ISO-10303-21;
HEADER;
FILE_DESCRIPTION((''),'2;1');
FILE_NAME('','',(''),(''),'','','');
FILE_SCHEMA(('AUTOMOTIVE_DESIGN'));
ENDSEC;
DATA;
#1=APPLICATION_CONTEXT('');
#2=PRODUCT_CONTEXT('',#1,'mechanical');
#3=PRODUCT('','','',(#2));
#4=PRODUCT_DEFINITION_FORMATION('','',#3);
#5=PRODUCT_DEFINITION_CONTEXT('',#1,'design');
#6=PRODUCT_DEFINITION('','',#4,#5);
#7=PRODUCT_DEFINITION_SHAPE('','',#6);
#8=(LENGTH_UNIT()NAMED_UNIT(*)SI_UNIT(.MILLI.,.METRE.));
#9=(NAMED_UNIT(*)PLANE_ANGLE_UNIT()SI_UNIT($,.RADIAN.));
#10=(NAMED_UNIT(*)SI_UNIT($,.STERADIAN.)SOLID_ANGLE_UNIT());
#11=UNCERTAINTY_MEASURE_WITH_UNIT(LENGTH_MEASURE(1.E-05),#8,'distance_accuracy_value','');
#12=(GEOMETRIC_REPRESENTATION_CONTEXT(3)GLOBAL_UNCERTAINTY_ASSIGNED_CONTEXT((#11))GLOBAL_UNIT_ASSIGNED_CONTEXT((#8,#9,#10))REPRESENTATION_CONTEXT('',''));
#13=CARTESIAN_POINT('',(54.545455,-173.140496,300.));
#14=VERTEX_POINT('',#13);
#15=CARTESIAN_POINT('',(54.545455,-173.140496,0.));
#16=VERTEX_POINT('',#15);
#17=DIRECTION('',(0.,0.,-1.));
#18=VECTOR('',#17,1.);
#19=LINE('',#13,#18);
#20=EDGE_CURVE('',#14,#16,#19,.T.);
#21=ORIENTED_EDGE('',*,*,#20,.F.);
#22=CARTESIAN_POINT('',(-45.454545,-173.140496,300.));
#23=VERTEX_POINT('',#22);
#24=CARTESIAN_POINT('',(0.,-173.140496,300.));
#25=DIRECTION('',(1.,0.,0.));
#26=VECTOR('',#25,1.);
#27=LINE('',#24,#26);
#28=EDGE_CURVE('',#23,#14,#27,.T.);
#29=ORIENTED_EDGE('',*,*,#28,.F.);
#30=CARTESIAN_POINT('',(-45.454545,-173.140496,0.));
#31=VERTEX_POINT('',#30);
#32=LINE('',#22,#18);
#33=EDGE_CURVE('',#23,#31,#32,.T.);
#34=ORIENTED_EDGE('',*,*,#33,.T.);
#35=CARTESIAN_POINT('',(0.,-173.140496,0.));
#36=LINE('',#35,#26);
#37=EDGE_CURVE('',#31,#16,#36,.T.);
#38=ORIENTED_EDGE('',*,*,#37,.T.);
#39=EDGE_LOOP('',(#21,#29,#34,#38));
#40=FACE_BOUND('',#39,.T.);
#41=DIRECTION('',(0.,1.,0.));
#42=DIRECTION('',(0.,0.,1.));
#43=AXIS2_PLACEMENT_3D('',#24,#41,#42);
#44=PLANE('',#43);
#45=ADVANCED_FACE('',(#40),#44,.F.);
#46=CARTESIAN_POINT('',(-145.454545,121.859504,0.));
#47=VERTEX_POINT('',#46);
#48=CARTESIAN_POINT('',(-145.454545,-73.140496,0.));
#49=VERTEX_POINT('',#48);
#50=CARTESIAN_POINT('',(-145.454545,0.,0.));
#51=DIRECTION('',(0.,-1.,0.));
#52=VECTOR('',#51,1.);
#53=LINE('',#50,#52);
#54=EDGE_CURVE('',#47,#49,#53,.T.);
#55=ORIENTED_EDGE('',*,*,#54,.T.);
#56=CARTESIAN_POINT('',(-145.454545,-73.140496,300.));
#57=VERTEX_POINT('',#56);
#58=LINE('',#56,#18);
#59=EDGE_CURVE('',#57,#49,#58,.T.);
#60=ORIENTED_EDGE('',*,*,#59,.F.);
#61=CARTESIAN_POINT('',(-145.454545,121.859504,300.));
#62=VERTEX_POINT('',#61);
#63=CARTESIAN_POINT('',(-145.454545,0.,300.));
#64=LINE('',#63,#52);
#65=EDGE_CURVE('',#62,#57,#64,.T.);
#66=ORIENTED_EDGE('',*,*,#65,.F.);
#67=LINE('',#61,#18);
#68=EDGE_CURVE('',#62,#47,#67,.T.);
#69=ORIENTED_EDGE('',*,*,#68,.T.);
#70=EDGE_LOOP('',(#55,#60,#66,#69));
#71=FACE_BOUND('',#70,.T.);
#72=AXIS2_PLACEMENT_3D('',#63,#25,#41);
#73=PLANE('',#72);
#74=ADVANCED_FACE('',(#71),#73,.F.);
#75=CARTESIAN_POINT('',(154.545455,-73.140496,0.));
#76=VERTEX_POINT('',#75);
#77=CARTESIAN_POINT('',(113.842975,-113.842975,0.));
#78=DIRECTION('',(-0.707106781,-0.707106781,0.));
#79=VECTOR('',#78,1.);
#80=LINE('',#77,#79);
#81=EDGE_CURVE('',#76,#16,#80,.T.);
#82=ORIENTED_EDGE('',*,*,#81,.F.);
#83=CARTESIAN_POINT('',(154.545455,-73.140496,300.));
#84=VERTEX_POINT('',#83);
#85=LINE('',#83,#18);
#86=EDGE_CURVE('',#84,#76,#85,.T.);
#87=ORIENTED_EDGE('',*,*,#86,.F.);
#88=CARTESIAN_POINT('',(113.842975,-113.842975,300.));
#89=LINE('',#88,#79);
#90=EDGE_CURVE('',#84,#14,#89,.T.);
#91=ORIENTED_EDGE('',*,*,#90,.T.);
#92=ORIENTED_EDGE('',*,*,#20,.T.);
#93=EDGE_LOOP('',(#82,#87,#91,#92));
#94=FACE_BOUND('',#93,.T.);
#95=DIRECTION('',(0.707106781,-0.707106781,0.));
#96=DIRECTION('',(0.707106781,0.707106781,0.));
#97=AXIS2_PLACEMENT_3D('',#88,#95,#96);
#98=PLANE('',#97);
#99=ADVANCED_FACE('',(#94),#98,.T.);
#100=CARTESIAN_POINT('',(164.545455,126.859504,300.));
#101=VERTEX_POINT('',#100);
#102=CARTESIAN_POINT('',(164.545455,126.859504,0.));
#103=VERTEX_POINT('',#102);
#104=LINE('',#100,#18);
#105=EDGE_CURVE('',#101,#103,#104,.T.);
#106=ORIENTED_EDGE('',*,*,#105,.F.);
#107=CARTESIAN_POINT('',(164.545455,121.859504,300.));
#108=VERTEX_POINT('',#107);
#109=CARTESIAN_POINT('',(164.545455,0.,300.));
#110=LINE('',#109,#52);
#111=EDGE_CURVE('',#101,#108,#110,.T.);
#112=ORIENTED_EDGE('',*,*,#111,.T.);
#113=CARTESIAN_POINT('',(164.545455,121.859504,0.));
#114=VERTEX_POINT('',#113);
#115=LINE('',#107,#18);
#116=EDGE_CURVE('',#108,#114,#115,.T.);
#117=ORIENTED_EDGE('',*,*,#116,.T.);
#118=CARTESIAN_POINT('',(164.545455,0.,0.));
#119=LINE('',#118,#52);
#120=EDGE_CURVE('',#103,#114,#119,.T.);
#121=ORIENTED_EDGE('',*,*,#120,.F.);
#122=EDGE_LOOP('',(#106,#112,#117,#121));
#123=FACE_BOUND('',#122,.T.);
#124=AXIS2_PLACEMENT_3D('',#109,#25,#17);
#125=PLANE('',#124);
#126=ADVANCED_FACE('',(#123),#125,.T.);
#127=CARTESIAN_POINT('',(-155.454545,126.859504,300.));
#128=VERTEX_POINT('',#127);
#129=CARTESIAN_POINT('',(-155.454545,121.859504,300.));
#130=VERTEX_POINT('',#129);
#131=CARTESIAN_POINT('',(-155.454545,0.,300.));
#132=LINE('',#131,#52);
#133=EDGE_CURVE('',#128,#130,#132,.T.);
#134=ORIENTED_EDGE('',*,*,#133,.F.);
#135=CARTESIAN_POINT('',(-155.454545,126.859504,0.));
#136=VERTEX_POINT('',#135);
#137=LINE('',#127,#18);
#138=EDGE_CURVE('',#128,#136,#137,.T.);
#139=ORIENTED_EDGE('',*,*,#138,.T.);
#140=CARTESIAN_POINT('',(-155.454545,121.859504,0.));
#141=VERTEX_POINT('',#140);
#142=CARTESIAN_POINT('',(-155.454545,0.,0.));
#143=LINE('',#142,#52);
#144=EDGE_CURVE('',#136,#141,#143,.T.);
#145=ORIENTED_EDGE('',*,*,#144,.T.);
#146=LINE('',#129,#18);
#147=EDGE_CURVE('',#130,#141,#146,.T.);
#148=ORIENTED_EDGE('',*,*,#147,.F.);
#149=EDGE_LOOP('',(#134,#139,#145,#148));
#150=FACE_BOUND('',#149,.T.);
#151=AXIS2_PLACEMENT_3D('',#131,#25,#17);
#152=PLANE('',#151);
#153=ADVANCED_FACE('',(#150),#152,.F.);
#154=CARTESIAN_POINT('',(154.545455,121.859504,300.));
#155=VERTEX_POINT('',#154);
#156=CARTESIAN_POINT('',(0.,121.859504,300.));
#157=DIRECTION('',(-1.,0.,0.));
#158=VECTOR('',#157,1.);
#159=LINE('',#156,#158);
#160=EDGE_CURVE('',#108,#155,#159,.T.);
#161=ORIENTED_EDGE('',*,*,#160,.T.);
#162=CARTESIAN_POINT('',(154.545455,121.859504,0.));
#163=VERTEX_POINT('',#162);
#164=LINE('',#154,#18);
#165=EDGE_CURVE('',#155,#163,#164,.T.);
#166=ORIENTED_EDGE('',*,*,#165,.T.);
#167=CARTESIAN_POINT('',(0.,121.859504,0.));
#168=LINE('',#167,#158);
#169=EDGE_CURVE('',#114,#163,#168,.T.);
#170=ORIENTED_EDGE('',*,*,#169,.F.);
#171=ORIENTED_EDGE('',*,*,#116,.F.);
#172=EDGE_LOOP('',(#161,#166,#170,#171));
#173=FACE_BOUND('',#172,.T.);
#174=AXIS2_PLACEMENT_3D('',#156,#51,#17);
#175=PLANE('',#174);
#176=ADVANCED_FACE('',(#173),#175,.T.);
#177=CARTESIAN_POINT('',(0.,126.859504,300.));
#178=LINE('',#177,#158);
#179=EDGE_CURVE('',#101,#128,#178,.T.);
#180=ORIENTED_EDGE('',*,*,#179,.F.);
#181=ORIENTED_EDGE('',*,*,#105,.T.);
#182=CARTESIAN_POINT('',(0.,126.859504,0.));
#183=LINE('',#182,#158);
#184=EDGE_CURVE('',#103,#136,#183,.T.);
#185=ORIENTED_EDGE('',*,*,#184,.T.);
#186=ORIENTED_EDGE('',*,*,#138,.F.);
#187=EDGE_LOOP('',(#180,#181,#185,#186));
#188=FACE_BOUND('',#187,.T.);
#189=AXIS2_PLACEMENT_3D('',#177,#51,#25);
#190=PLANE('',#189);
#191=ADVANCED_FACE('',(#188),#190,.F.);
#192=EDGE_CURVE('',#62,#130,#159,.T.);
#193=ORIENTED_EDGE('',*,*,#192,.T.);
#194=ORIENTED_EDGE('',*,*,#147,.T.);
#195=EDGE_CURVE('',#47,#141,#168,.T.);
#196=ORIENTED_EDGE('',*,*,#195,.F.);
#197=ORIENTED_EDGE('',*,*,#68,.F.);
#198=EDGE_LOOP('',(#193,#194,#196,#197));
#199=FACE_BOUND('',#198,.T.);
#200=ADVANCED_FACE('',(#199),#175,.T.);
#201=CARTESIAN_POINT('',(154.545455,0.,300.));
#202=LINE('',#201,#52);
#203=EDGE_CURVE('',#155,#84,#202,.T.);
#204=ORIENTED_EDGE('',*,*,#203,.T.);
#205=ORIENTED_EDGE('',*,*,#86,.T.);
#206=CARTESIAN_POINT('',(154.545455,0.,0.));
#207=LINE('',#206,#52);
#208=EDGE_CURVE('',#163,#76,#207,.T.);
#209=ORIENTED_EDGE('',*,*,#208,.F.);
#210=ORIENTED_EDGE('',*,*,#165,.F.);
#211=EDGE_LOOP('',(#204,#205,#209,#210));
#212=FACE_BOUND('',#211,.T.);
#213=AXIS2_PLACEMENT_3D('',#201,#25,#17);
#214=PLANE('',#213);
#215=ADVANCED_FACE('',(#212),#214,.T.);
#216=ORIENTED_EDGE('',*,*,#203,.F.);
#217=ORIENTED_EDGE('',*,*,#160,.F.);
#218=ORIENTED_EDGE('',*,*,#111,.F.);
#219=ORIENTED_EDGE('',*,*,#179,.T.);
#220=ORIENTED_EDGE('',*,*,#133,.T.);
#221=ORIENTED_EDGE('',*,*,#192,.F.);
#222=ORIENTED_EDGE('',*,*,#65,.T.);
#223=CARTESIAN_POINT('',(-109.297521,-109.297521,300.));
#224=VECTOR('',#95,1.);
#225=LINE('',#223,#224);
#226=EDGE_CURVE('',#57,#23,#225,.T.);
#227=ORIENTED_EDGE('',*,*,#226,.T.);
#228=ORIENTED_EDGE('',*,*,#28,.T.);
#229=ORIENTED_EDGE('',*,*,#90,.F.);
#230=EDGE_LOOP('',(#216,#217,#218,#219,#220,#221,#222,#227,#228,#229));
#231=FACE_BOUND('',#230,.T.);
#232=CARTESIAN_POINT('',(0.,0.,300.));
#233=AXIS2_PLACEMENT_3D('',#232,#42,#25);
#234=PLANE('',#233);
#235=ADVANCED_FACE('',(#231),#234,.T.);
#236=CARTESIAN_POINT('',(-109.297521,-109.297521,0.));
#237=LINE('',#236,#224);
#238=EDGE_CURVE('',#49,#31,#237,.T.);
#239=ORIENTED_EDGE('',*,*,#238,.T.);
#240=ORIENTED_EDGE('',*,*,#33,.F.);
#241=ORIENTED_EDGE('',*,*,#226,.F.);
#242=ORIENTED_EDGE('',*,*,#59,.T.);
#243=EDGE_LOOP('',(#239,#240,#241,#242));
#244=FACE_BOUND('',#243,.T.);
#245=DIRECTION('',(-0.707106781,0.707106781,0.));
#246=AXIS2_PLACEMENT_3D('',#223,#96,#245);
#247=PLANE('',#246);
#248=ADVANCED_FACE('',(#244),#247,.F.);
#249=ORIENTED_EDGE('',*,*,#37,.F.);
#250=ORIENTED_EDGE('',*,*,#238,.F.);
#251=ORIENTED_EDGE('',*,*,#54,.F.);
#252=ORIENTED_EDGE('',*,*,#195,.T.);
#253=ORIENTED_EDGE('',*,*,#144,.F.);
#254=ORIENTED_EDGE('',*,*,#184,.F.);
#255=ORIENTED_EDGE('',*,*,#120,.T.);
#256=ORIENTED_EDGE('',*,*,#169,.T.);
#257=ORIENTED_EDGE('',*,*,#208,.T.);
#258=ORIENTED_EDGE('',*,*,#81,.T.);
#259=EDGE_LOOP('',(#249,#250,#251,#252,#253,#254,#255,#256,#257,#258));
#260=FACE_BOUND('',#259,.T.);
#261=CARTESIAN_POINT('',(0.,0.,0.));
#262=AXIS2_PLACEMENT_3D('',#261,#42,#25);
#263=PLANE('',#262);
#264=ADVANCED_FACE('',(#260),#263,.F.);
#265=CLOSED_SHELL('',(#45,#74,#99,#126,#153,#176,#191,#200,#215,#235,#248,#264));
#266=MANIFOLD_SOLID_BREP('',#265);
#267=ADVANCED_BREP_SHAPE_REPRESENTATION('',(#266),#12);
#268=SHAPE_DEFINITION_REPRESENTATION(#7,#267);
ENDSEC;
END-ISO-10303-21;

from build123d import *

# Parameters (mm, degrees)
BOSS_EXTRUDE1_DEPTH = 300


with BuildPart() as part:
    # Sketch1 → Boss-Extrude1 (new body)
    with BuildSketch(Plane.XY):
        Polygon((154.545454545, 126.859504132), (-145.454545455, 126.859504132), (-155.454545455, 126.859504132), (-155.454545455, 121.859504132), (-145.454545455, 121.859504132), (-145.454545455, -73.140495868), (-45.454545455, -173.140495868), (54.545454545, -173.140495868), (154.545454545, -73.140495868), (154.545454545, 121.859504132), (164.545454545, 121.859504132), (164.545454545, 126.859504132), align=None)
    extrude(amount=BOSS_EXTRUDE1_DEPTH)


solid = part.part
